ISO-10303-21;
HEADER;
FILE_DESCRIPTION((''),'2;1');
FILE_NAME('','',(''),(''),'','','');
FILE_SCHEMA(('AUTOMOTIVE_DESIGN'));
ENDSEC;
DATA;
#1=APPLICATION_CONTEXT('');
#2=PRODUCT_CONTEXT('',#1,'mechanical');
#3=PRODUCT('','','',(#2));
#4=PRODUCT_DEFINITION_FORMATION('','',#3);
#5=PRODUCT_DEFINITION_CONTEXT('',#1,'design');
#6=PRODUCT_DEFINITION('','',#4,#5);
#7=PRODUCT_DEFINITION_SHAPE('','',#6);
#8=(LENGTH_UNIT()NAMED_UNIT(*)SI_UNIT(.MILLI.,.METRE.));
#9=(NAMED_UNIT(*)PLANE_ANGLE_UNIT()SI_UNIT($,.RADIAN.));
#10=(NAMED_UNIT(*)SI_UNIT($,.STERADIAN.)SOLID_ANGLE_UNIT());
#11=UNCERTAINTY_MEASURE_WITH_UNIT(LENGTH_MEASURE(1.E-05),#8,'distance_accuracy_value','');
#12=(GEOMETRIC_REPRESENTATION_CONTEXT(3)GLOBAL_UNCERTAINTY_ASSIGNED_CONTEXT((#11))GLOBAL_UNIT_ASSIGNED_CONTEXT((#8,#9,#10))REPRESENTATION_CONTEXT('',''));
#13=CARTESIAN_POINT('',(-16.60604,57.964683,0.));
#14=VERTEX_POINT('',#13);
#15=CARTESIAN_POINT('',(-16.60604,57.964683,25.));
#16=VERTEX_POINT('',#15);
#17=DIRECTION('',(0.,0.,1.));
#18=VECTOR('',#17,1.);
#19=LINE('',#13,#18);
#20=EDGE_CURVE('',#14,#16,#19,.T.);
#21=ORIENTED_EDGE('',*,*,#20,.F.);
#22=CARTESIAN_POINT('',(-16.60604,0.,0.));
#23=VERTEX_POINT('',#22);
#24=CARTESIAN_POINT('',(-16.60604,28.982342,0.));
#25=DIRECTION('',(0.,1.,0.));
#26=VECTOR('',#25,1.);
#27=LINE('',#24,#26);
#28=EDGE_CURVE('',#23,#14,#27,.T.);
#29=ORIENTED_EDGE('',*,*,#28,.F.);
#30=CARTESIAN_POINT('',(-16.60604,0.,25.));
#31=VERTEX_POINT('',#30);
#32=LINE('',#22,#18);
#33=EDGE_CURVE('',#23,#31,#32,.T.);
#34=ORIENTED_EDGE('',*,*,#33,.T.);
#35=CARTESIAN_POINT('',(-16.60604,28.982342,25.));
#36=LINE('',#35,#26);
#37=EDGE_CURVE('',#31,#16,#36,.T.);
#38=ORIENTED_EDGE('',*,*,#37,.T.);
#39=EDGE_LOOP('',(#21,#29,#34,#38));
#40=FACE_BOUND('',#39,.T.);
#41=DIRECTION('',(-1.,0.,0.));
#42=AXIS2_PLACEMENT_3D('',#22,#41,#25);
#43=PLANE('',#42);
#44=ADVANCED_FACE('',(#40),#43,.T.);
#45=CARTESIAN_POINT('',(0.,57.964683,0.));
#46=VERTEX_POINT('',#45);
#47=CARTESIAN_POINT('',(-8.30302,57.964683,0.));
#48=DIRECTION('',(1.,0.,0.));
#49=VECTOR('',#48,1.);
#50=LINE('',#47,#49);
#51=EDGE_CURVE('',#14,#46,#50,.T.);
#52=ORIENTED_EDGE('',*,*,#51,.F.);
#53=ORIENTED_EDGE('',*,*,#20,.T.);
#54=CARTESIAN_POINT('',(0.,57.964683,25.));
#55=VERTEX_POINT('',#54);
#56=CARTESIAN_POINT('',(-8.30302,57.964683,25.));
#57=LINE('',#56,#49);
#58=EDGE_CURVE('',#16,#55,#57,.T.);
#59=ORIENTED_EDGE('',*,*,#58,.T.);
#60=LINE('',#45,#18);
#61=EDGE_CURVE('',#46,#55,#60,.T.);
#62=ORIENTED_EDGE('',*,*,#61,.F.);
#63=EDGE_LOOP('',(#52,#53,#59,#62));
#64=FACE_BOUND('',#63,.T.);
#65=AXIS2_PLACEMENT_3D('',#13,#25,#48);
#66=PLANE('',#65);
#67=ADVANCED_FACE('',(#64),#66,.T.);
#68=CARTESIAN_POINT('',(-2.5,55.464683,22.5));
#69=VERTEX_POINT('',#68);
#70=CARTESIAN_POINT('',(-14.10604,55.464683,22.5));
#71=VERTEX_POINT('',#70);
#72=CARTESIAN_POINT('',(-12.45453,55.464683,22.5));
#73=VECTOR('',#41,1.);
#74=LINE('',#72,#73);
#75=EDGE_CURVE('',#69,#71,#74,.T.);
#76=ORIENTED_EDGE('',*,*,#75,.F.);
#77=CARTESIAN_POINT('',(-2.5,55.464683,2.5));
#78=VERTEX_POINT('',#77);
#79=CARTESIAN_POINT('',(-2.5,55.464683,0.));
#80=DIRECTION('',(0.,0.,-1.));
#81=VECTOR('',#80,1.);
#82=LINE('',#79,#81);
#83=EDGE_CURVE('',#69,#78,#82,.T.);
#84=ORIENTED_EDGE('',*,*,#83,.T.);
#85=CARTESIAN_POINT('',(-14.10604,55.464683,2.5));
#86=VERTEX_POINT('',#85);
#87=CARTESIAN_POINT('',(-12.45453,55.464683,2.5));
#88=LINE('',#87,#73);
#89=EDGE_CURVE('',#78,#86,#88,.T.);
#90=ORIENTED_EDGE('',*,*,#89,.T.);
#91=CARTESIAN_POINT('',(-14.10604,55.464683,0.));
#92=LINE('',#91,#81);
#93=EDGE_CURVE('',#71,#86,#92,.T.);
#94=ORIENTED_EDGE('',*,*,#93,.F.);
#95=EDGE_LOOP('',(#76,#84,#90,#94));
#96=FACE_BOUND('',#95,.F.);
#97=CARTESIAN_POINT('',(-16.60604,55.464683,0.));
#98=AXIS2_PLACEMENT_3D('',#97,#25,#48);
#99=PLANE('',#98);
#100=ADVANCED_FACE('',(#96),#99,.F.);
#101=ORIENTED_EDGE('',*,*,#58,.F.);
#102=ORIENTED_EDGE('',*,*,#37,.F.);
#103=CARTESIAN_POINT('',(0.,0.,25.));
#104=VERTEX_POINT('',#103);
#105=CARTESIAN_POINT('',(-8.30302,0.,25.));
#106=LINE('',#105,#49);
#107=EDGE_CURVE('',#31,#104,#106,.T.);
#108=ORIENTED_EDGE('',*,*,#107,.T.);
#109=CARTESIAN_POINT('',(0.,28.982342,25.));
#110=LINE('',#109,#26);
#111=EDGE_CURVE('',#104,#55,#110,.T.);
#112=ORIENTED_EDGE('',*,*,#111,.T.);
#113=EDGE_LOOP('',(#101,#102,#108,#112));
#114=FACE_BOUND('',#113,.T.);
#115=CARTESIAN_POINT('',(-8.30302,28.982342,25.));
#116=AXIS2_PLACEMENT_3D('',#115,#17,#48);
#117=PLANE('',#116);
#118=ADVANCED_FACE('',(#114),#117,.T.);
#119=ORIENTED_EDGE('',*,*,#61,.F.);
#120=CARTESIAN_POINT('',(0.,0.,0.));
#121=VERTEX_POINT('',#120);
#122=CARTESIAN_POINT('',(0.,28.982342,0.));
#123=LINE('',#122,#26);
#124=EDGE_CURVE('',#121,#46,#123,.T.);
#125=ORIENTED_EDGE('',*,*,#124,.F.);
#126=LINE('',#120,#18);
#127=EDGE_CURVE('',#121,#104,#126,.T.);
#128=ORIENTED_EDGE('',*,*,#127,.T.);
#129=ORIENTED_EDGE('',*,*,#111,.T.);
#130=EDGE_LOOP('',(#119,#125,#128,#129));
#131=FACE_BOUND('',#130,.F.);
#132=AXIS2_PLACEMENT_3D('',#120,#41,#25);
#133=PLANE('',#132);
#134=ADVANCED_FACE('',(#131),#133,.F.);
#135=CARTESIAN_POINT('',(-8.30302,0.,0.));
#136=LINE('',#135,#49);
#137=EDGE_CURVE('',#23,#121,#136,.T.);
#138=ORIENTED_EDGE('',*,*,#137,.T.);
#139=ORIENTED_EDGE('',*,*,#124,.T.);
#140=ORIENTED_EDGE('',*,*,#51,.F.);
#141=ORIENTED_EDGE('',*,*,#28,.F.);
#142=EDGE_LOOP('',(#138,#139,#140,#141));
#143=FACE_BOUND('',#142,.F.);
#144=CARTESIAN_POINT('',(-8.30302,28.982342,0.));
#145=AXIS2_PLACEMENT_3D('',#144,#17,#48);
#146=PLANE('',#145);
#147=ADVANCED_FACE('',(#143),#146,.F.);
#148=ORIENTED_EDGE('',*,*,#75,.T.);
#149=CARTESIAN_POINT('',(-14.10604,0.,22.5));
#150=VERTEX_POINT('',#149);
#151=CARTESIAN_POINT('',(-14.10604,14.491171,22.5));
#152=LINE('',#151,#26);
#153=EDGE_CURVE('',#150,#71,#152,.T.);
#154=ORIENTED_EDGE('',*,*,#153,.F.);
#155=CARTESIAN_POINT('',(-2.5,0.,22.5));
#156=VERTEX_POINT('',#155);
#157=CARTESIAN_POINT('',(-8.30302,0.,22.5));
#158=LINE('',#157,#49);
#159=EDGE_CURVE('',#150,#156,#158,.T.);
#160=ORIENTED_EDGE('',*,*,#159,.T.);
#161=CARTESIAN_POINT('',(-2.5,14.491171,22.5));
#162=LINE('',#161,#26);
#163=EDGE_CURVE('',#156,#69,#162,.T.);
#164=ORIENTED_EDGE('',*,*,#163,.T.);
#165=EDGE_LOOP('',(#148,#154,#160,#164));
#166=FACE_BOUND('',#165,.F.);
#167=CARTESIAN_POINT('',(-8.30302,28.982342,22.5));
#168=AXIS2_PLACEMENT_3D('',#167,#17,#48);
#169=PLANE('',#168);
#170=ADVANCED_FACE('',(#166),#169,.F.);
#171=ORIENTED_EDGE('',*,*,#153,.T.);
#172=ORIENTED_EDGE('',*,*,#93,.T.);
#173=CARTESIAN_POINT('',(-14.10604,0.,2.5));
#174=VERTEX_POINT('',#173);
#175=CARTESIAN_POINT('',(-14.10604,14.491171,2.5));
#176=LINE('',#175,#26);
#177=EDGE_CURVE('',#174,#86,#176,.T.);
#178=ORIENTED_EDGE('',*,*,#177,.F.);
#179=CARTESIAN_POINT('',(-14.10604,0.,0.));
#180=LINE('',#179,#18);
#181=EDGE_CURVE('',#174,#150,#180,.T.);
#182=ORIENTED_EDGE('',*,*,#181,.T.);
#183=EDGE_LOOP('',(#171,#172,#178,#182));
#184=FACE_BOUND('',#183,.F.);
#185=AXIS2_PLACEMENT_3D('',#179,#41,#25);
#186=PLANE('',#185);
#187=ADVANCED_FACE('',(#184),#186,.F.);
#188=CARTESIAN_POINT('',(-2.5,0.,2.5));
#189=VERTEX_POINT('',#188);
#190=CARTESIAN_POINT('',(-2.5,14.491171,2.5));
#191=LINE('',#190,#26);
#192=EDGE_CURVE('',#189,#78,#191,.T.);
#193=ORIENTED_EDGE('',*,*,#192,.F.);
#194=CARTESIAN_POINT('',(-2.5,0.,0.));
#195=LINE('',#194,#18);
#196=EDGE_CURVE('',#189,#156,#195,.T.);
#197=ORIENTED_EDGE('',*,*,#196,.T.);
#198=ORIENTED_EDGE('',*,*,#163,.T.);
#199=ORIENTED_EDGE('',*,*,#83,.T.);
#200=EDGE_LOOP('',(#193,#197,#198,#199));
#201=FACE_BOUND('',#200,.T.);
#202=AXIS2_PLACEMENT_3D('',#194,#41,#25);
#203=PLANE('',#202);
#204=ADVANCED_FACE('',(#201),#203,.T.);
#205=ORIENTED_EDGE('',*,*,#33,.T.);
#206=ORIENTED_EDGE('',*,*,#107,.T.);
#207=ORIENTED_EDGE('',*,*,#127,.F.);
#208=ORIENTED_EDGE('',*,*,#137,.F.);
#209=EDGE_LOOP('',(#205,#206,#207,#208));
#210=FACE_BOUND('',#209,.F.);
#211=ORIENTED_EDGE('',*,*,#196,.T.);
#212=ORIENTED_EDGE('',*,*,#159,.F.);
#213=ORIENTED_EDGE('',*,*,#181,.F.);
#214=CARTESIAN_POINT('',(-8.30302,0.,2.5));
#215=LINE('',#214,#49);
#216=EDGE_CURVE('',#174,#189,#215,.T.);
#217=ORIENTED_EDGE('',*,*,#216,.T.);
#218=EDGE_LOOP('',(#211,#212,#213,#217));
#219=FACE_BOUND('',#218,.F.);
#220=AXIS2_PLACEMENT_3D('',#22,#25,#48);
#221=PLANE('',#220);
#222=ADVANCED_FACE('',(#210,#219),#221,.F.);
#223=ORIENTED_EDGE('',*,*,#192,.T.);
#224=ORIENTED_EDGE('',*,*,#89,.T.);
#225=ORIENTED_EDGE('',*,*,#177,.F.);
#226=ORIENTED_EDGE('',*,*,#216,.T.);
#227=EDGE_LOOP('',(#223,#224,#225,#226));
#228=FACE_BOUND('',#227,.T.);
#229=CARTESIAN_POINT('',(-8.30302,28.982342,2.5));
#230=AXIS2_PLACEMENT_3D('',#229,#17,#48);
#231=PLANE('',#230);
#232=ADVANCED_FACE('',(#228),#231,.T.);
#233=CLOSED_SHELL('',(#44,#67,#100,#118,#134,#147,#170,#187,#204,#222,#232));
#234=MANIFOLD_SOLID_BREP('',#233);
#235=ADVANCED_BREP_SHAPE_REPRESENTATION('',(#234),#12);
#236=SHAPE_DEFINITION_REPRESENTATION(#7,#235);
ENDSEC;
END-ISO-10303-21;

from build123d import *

# Parameters (mm, degrees)
F1_W     = 16.60604
F1_H     = 57.964683
F2_DEPTH = 25
F3_T     = -2.5


with BuildPart() as f2:
    # F1 (on face) → F2 (new body)
    with BuildSketch(Plane.XY):
        with Locations((-8.30302, 28.982342)):
            Rectangle(F1_W, F1_H)
    extrude(amount=F2_DEPTH)

    # F3
    f3_openings = [f2.faces().sort_by_distance(p)[0] for p in [
        (-8.30302, 0, 12.5),
    ]]
    offset(amount=F3_T, openings=f3_openings)


solid = f2.part
